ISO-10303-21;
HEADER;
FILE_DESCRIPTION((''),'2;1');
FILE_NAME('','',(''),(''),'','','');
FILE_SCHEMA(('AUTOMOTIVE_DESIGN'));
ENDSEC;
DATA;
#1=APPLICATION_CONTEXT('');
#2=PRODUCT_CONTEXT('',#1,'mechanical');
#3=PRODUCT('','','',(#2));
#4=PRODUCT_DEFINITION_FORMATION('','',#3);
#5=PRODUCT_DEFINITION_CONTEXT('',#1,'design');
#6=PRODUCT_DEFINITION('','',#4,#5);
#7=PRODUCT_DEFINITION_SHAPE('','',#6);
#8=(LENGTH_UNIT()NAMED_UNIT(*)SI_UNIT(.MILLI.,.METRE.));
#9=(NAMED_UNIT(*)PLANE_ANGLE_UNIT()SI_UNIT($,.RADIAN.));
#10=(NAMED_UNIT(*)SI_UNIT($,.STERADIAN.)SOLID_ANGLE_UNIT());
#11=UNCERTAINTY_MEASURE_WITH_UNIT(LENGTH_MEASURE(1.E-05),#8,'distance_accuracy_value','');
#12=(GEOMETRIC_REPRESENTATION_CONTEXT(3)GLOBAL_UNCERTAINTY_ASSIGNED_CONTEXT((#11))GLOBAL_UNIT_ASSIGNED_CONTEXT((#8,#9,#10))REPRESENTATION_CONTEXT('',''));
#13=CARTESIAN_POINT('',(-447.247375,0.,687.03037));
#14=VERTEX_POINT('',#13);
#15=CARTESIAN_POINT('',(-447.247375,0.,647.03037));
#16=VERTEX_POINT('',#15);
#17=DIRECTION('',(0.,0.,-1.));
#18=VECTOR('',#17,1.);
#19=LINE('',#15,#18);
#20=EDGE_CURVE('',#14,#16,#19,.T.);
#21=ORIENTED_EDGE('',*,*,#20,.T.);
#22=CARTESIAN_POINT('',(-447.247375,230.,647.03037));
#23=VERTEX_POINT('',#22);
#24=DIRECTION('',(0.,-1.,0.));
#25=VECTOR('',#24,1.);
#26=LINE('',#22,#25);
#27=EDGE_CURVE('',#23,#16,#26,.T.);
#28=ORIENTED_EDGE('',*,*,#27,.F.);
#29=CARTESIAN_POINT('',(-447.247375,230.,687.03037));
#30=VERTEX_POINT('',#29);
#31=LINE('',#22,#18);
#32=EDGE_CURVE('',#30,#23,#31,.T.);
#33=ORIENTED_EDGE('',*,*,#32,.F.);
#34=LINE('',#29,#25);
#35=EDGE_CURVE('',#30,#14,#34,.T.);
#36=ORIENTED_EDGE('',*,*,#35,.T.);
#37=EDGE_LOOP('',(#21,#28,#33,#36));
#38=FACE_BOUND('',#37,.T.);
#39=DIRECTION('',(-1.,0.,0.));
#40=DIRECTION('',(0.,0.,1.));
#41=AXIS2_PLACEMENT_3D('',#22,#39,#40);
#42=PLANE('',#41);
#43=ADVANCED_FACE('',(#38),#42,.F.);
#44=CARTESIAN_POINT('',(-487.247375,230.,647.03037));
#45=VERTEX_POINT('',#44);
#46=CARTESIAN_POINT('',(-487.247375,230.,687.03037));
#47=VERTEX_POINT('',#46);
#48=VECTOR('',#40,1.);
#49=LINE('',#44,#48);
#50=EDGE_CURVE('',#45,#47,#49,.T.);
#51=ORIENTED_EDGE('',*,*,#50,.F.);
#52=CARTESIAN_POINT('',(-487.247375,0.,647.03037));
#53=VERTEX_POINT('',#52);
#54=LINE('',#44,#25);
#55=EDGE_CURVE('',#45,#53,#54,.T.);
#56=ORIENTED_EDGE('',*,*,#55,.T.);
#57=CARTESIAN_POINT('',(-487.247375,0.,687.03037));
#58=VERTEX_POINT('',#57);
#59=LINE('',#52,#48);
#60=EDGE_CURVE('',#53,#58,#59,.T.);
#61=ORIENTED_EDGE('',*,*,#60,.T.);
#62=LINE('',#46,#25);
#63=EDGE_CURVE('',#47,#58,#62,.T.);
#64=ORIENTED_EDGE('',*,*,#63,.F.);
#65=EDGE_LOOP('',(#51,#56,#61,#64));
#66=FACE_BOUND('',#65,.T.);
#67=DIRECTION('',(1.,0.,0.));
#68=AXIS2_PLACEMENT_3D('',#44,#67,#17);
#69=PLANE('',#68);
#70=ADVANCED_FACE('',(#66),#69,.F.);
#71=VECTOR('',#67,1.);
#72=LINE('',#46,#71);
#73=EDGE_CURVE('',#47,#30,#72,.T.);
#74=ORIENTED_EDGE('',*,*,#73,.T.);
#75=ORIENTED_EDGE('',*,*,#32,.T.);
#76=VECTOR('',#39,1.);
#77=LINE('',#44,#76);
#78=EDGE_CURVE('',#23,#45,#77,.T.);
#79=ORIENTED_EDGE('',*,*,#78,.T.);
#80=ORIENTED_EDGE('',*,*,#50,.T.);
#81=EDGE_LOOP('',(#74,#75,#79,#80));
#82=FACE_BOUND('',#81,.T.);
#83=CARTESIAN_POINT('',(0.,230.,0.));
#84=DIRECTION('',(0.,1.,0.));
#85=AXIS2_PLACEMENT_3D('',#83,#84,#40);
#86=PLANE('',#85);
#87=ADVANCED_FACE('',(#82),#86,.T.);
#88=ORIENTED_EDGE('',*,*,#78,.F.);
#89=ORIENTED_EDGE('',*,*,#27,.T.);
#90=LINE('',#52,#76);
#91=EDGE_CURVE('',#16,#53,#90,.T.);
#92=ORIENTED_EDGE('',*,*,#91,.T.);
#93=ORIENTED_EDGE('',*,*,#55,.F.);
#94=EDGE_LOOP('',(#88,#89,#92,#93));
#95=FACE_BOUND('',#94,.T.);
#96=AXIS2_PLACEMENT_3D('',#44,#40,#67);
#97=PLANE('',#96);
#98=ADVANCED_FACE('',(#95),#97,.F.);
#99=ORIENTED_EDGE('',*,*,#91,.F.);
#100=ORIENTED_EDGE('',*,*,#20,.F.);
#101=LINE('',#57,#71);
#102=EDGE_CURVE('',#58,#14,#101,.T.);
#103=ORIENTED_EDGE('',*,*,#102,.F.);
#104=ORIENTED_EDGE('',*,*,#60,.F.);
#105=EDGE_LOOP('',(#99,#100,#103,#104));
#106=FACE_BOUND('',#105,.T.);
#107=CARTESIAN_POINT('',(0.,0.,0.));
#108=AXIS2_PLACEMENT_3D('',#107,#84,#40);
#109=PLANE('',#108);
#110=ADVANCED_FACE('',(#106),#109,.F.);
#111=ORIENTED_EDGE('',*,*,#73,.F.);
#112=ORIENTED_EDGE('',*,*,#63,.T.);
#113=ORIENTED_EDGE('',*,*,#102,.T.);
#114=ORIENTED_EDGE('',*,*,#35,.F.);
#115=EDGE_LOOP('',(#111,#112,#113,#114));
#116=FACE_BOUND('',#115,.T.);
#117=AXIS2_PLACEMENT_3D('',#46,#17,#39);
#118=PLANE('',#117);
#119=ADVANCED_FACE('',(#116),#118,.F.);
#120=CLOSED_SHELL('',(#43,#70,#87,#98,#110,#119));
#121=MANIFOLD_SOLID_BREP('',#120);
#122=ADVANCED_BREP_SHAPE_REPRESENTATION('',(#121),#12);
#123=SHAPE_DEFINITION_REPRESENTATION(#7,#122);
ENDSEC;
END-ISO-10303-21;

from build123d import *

# Parameters (mm, degrees)
SKETCH_1_W      = 40
SKETCH_1_H      = 40
EXTRUDE_1_DEPTH = 230


with BuildPart() as part:
    # Эскиз1 → Бобышка-Вытянуть1 (new body)
    with BuildSketch(Plane(origin=(0, 0, 0), x_dir=(1, 0, 0), z_dir=(0, 1, 0))):
        with Locations((-467.247374962, -667.030369645)):
            Rectangle(SKETCH_1_W, SKETCH_1_H)
    extrude(amount=EXTRUDE_1_DEPTH)


solid = part.part
